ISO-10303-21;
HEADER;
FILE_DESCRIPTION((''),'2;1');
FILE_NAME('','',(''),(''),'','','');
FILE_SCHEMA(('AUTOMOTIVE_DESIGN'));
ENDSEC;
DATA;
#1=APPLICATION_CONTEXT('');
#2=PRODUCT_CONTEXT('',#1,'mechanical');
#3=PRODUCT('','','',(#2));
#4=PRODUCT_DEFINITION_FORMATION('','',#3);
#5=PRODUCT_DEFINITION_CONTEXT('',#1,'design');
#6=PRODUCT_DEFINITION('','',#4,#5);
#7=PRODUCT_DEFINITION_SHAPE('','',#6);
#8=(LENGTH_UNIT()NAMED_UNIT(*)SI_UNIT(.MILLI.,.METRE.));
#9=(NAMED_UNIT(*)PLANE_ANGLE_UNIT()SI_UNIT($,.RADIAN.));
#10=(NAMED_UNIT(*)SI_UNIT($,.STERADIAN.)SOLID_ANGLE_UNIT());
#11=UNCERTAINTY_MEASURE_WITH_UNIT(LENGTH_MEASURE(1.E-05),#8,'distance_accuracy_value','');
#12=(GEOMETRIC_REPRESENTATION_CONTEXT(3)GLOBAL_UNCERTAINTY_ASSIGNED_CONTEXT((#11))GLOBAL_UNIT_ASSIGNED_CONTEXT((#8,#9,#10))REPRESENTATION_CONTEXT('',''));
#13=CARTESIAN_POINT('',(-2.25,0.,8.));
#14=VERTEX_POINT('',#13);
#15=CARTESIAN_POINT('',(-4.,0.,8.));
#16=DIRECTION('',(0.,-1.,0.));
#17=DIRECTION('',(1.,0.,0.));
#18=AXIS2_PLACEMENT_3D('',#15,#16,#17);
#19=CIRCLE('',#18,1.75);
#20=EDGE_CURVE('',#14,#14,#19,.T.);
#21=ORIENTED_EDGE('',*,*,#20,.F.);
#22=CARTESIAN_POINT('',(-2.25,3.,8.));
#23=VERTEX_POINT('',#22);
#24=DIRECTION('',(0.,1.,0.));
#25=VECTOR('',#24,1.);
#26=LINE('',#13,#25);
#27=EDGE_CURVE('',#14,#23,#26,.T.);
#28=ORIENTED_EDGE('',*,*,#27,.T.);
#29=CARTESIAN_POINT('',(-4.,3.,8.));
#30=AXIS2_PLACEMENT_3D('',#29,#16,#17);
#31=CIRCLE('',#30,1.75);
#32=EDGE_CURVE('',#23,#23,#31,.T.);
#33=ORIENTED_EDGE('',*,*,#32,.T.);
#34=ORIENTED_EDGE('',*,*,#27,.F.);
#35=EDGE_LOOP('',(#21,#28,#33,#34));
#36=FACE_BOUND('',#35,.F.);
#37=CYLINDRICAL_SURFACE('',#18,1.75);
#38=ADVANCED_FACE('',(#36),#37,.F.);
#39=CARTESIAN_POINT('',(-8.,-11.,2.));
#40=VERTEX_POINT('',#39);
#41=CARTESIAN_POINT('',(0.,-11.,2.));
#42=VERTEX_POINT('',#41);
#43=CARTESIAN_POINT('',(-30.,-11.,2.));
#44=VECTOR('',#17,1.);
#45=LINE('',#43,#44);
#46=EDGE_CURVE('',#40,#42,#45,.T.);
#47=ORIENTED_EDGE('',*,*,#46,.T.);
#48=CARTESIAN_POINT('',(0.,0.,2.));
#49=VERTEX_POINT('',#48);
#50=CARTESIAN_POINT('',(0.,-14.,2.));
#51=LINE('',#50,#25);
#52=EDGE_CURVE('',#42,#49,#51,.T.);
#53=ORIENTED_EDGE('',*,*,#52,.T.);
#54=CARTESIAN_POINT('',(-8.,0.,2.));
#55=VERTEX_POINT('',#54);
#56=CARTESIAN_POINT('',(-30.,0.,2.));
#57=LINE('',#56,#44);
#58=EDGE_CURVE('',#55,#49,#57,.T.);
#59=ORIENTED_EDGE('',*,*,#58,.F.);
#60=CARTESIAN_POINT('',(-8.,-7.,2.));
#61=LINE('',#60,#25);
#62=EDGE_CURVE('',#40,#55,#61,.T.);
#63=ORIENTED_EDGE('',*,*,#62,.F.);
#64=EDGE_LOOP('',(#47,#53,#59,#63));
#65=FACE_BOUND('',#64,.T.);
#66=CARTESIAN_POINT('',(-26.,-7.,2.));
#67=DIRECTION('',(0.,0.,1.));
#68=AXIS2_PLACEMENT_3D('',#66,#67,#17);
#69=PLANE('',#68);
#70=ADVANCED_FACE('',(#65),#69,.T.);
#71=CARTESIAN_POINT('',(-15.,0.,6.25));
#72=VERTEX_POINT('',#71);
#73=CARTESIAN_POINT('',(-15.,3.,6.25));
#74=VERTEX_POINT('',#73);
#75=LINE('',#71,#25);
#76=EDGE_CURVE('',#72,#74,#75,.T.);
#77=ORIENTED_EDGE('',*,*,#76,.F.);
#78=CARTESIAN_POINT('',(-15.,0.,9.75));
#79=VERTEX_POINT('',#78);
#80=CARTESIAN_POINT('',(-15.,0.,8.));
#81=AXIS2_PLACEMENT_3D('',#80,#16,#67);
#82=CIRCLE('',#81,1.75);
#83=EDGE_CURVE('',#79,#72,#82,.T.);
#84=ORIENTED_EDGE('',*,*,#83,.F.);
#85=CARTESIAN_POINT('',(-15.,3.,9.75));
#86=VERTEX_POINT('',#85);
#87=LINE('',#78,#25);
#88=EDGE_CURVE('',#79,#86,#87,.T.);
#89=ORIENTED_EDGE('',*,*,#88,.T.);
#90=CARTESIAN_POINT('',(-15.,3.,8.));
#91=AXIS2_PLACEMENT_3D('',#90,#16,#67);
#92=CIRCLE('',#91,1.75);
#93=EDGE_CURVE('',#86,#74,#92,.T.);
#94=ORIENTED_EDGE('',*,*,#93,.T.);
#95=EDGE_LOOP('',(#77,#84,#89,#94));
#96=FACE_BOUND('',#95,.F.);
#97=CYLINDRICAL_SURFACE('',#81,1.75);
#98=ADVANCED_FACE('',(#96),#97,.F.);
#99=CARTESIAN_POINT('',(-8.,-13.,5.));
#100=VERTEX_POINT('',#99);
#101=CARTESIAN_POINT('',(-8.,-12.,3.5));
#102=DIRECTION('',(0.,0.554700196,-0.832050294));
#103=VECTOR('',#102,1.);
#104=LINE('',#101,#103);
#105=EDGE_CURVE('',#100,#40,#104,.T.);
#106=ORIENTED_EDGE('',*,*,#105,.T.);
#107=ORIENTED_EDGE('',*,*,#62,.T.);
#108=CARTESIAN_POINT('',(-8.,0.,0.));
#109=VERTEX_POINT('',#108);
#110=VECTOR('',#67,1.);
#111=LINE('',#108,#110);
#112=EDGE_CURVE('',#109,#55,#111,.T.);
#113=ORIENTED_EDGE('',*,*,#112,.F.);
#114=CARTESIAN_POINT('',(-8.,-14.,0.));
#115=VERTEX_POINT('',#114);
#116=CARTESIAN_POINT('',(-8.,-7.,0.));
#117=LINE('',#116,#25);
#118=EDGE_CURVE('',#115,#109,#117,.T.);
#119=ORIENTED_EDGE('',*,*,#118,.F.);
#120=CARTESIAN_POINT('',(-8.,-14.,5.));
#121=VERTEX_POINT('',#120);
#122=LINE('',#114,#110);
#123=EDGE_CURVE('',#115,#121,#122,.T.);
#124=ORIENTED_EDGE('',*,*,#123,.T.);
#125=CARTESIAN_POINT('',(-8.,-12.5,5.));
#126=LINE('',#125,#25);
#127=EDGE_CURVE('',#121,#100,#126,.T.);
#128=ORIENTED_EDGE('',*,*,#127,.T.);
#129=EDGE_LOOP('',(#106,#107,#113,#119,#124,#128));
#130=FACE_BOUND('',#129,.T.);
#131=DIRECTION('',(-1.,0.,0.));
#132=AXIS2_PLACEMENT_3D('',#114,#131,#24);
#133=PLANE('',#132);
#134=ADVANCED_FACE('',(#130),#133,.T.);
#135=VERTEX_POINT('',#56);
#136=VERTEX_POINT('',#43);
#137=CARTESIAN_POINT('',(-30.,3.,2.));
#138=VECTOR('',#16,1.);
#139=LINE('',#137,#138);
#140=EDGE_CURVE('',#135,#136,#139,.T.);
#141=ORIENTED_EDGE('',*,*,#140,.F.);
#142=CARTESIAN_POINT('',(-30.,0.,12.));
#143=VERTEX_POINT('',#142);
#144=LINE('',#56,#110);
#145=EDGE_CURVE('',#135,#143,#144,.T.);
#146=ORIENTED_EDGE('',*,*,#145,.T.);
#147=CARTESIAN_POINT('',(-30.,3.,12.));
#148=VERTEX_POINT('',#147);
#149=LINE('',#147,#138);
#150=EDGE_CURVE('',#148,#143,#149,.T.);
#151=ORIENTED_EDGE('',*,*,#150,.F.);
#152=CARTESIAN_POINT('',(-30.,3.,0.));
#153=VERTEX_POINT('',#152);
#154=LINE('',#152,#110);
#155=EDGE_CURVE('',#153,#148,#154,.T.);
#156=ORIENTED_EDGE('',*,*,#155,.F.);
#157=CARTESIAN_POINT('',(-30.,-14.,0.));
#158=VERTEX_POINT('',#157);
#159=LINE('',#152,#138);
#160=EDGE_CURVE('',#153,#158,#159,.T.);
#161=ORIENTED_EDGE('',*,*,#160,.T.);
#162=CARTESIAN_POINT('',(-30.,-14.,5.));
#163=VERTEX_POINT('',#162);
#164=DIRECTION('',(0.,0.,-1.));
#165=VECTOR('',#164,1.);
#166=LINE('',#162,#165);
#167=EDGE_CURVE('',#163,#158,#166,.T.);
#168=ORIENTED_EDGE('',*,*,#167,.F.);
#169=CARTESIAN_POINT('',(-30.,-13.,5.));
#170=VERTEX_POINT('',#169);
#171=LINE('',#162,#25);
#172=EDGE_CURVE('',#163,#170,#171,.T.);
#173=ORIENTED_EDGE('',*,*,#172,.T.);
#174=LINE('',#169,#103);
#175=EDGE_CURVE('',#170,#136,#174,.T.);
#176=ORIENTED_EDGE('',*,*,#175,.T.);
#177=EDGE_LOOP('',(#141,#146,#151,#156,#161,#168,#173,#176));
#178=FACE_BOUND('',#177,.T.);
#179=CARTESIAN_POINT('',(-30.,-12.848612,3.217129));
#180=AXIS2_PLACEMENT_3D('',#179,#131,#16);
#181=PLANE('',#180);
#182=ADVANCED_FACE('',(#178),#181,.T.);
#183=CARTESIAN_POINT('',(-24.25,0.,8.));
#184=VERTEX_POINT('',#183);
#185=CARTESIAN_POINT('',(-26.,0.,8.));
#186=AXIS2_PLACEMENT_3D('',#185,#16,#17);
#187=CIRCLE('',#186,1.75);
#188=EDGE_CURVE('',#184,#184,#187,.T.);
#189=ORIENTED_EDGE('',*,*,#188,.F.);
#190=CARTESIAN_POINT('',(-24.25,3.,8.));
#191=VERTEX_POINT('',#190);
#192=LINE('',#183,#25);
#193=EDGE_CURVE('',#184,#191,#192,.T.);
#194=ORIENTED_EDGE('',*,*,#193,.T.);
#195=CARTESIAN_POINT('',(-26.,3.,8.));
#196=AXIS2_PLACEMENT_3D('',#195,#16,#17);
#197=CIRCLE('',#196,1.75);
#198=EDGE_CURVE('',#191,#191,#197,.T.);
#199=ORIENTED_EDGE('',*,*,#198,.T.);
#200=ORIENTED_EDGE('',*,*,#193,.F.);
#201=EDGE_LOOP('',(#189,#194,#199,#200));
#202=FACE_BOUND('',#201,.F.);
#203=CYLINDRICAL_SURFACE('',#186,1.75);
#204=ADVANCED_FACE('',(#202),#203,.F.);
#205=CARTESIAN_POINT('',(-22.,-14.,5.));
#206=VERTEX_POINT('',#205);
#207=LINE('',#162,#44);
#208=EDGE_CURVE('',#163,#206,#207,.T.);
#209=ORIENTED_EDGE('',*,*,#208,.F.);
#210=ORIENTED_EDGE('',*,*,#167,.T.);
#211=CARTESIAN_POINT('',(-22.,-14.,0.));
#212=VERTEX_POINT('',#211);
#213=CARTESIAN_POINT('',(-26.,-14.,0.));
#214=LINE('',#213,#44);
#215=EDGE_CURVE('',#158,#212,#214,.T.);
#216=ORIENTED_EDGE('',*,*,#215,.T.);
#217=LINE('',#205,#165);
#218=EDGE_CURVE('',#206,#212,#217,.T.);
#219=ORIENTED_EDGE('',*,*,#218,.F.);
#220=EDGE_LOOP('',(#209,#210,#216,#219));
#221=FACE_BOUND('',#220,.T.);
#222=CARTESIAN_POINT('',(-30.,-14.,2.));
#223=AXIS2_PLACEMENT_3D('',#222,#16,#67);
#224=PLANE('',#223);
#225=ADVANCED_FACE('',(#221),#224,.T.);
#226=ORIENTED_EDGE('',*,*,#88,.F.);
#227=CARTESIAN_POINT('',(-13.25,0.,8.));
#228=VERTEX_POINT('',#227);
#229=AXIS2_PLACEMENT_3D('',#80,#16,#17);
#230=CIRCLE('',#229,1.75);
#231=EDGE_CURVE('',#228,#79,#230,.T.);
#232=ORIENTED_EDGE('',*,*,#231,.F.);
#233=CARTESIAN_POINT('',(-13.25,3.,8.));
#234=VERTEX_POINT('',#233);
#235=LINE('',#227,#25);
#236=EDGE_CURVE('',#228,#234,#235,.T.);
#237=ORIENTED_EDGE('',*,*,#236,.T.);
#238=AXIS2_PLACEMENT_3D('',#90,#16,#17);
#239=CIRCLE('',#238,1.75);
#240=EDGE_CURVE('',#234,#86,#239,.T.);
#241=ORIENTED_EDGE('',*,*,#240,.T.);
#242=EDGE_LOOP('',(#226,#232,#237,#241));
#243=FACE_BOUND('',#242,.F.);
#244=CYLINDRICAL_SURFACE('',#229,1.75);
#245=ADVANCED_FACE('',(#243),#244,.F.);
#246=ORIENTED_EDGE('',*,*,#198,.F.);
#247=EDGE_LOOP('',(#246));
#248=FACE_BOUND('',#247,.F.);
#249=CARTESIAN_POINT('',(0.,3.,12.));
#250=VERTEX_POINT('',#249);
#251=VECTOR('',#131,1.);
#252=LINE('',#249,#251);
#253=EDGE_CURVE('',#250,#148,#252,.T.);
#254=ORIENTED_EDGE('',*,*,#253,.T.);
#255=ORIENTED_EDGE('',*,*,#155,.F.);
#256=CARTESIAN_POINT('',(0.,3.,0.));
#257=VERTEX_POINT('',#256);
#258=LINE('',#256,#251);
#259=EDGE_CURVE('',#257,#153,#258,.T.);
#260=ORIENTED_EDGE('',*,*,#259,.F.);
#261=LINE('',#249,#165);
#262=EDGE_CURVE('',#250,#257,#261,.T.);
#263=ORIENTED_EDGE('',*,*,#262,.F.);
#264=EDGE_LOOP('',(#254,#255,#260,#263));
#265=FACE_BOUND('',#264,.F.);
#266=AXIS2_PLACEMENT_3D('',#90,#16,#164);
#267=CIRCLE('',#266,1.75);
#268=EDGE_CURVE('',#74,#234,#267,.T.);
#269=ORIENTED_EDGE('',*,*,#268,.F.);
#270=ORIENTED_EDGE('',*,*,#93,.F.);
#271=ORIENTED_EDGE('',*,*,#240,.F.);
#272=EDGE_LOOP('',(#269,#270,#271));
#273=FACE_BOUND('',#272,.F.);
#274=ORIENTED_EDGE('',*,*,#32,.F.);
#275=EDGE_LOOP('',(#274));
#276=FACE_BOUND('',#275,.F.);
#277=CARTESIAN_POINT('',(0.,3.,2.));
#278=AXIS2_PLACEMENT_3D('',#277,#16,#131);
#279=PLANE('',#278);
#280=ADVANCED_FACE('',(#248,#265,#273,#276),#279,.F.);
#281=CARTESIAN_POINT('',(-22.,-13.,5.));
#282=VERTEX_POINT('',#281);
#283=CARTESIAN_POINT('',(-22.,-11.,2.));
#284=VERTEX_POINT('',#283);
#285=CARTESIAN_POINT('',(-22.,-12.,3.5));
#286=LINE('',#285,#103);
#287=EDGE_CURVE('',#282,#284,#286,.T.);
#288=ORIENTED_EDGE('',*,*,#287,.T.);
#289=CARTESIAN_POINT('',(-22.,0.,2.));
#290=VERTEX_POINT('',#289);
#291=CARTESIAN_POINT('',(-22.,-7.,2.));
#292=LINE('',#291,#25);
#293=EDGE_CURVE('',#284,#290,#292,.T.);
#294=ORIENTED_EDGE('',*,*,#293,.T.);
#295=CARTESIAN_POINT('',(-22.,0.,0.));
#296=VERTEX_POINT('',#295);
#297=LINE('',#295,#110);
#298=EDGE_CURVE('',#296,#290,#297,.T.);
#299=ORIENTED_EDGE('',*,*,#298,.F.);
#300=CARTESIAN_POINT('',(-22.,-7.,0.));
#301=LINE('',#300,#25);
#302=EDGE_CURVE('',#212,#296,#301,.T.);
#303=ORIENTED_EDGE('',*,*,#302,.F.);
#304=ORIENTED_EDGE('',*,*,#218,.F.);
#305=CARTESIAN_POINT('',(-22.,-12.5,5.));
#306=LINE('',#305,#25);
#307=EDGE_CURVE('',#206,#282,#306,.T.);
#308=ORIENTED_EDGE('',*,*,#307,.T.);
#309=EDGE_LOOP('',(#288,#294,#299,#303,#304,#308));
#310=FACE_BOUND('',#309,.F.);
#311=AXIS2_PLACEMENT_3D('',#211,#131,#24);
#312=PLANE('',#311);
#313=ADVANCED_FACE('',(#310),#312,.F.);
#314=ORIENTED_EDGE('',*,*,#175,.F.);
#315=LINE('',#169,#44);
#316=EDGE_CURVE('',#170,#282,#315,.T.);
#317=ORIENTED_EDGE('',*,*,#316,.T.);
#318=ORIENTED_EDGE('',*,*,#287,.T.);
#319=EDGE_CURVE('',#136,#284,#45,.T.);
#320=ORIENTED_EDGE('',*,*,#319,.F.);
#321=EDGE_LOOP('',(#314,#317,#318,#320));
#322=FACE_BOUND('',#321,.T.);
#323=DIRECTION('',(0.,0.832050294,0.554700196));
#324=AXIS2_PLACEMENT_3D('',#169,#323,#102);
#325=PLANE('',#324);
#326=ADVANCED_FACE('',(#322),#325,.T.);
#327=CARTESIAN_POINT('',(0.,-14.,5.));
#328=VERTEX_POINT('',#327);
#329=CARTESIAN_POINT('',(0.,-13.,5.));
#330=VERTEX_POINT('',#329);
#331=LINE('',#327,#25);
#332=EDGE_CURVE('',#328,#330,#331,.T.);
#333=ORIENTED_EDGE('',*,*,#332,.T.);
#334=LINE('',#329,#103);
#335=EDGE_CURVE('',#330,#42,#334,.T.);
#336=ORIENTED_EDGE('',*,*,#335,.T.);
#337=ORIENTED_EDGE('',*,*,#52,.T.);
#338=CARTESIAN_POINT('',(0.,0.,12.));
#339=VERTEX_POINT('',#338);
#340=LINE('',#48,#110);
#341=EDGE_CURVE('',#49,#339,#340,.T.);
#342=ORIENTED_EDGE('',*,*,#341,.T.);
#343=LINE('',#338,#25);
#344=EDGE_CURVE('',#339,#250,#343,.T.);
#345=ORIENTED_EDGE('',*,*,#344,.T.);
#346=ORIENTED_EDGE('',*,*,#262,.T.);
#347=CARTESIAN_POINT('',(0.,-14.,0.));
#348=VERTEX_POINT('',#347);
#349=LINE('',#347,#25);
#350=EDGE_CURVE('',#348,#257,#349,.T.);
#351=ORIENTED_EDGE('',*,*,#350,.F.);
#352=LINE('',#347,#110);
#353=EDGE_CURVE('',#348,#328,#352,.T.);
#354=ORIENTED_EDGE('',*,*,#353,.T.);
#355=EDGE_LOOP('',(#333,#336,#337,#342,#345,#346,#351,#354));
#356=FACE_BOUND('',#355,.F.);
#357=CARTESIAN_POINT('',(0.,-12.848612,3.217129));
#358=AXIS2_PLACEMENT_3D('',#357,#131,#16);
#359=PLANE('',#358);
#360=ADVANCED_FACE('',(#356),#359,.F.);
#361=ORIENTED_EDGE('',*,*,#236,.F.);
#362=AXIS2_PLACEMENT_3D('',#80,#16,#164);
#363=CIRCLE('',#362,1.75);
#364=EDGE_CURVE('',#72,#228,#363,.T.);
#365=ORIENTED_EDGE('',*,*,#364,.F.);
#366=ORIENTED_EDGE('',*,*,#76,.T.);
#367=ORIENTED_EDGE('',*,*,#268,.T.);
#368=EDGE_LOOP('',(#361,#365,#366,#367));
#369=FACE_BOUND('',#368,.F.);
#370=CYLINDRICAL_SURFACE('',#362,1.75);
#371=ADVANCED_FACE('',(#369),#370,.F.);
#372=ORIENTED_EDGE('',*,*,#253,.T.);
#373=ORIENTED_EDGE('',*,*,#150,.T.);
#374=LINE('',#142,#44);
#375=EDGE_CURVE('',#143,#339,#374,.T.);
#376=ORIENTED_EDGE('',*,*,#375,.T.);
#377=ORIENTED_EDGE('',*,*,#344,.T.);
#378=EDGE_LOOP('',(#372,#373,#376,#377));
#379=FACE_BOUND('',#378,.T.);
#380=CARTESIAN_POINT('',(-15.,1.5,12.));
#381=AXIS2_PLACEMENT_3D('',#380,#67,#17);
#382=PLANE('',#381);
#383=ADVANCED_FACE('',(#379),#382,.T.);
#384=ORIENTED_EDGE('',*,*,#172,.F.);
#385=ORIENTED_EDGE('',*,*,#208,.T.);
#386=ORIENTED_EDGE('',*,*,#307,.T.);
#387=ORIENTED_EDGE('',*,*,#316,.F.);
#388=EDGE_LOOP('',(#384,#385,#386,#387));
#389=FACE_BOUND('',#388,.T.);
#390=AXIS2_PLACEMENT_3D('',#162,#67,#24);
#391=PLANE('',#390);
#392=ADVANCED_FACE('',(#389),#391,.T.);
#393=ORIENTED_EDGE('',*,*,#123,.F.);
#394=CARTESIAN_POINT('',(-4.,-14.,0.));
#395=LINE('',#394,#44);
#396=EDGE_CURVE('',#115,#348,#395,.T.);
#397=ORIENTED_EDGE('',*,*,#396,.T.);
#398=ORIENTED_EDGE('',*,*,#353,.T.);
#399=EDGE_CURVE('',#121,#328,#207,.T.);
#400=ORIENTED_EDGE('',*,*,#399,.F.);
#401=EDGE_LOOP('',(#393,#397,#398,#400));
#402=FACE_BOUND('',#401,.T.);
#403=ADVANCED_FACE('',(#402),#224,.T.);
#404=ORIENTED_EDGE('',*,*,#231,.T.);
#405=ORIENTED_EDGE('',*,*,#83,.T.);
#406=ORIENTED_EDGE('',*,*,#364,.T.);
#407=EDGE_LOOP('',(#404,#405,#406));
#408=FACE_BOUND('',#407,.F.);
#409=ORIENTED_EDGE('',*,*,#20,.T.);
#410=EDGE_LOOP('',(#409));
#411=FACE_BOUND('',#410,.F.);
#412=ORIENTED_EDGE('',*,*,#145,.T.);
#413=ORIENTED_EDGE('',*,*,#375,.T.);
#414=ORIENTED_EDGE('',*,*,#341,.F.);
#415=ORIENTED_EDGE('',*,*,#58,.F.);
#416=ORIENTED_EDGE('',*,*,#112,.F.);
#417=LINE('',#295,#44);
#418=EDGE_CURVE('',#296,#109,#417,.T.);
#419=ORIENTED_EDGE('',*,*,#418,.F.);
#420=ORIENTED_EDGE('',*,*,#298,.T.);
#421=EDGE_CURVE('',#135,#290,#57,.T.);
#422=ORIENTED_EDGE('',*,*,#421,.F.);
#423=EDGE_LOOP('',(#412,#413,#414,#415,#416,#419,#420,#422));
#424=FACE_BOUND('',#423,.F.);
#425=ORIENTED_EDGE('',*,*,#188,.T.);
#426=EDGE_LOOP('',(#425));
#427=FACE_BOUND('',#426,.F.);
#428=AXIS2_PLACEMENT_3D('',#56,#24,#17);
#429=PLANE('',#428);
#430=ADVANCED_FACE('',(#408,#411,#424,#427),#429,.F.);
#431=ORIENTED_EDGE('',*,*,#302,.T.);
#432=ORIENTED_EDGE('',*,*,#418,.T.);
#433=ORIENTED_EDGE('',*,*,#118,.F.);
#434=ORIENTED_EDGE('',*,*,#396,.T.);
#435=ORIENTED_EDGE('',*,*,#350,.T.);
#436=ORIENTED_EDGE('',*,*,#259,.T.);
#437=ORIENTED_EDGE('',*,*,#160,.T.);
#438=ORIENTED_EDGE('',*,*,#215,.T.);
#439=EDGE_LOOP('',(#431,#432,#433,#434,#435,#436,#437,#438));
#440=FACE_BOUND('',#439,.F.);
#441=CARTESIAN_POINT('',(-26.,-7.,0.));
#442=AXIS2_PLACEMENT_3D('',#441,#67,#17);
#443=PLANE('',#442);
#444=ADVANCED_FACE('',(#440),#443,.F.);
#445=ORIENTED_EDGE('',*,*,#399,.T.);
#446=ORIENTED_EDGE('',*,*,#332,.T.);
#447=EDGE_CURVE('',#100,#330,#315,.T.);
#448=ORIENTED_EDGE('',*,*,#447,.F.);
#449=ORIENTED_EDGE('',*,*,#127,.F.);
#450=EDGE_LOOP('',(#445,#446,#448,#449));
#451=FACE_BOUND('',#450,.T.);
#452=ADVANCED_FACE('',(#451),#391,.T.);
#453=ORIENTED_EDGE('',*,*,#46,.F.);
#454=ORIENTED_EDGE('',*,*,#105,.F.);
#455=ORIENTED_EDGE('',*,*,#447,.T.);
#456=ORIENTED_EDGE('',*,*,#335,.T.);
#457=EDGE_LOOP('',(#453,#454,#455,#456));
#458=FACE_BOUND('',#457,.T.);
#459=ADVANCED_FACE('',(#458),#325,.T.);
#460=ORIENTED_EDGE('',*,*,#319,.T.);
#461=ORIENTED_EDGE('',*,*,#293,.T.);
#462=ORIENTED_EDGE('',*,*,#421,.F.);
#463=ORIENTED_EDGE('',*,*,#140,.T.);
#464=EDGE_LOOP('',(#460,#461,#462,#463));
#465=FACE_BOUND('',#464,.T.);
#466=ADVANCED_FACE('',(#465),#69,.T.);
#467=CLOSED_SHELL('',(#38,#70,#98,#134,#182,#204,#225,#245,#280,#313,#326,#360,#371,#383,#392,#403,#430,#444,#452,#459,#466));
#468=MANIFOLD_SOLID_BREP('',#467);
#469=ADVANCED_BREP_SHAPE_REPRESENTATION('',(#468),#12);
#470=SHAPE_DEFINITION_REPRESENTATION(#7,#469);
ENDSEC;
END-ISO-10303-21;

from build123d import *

# Parameters (mm, degrees)
F0_W     = 8
F0_H     = 14
F1_DEPTH = 2
F3_DEPTH = 10
F4_R     = 1.75
F5_DEPTH = 25
F7_DEPTH = 30
F8_W     = 14
F8_H     = 3
F9_DEPTH = 25


with BuildPart() as f1:
    # F0 (on Top) → F1 (new body)
    with BuildSketch(Plane.XY):
        with Locations((-26, -7)):
            Rectangle(F0_W, F0_H)
        Polygon((-22, 0), (-15, 0), (-15, 3), (-30, 3), (-30, 0), align=None)
        Polygon((-8, 0), (0, 0), (0, 3), (-15, 3), (-15, 0), align=None)
        with Locations((-4, -7)):
            Rectangle(F0_W, F0_H)
    extrude(amount=F1_DEPTH)

    # F2 (on face) → F3 (join)
    with BuildSketch(Plane.XY.offset(2)):
        Polygon((0, 3), (-30, 3), (-30, 0), (-22, 0), (-8, 0), (0, 0), align=None)
    extrude(amount=F3_DEPTH)

    # F4 (on face) → F5 (cut)
    with BuildSketch(Plane.XZ):
        with Locations((-26, 8)):
            Circle(F4_R)
        with BuildLine():
            Line((-15, 6.25), (-15, 9.75))
            ThreePointArc((-15, 9.75), (-16.75, 8), (-15, 6.25))
        make_face()
        with BuildLine():
            ThreePointArc((-13.25, 8), (-13.7625631329, 9.2374368671), (-15, 9.75))
            Line((-15, 9.75), (-15, 6.25))
            ThreePointArc((-15, 6.25), (-13.7625631329, 6.7625631329), (-13.25, 8))
        make_face()
        with Locations((-4, 8)):
            Circle(F4_R)
    extrude(amount=-F5_DEPTH, mode=Mode.SUBTRACT)

    # F6 (on face) → F7 (join)
    with BuildSketch(Plane(origin=(-30, 0, 0), x_dir=(0, -1, 0), z_dir=(-1, 0, 0))):
        Polygon((11, 2), (14, 2), (14, 5), (13, 5), align=None)
    extrude(amount=-F7_DEPTH)

    # F8 (on face) → F9 (cut)
    with BuildSketch(Plane(origin=(0, 0, 2), x_dir=(1, 0, 0), z_dir=(0, 0, -1))):
        with Locations((-15, 12.5)):
            Rectangle(F8_W, F8_H)
    extrude(amount=-F9_DEPTH, mode=Mode.SUBTRACT)


solid = f1.part
